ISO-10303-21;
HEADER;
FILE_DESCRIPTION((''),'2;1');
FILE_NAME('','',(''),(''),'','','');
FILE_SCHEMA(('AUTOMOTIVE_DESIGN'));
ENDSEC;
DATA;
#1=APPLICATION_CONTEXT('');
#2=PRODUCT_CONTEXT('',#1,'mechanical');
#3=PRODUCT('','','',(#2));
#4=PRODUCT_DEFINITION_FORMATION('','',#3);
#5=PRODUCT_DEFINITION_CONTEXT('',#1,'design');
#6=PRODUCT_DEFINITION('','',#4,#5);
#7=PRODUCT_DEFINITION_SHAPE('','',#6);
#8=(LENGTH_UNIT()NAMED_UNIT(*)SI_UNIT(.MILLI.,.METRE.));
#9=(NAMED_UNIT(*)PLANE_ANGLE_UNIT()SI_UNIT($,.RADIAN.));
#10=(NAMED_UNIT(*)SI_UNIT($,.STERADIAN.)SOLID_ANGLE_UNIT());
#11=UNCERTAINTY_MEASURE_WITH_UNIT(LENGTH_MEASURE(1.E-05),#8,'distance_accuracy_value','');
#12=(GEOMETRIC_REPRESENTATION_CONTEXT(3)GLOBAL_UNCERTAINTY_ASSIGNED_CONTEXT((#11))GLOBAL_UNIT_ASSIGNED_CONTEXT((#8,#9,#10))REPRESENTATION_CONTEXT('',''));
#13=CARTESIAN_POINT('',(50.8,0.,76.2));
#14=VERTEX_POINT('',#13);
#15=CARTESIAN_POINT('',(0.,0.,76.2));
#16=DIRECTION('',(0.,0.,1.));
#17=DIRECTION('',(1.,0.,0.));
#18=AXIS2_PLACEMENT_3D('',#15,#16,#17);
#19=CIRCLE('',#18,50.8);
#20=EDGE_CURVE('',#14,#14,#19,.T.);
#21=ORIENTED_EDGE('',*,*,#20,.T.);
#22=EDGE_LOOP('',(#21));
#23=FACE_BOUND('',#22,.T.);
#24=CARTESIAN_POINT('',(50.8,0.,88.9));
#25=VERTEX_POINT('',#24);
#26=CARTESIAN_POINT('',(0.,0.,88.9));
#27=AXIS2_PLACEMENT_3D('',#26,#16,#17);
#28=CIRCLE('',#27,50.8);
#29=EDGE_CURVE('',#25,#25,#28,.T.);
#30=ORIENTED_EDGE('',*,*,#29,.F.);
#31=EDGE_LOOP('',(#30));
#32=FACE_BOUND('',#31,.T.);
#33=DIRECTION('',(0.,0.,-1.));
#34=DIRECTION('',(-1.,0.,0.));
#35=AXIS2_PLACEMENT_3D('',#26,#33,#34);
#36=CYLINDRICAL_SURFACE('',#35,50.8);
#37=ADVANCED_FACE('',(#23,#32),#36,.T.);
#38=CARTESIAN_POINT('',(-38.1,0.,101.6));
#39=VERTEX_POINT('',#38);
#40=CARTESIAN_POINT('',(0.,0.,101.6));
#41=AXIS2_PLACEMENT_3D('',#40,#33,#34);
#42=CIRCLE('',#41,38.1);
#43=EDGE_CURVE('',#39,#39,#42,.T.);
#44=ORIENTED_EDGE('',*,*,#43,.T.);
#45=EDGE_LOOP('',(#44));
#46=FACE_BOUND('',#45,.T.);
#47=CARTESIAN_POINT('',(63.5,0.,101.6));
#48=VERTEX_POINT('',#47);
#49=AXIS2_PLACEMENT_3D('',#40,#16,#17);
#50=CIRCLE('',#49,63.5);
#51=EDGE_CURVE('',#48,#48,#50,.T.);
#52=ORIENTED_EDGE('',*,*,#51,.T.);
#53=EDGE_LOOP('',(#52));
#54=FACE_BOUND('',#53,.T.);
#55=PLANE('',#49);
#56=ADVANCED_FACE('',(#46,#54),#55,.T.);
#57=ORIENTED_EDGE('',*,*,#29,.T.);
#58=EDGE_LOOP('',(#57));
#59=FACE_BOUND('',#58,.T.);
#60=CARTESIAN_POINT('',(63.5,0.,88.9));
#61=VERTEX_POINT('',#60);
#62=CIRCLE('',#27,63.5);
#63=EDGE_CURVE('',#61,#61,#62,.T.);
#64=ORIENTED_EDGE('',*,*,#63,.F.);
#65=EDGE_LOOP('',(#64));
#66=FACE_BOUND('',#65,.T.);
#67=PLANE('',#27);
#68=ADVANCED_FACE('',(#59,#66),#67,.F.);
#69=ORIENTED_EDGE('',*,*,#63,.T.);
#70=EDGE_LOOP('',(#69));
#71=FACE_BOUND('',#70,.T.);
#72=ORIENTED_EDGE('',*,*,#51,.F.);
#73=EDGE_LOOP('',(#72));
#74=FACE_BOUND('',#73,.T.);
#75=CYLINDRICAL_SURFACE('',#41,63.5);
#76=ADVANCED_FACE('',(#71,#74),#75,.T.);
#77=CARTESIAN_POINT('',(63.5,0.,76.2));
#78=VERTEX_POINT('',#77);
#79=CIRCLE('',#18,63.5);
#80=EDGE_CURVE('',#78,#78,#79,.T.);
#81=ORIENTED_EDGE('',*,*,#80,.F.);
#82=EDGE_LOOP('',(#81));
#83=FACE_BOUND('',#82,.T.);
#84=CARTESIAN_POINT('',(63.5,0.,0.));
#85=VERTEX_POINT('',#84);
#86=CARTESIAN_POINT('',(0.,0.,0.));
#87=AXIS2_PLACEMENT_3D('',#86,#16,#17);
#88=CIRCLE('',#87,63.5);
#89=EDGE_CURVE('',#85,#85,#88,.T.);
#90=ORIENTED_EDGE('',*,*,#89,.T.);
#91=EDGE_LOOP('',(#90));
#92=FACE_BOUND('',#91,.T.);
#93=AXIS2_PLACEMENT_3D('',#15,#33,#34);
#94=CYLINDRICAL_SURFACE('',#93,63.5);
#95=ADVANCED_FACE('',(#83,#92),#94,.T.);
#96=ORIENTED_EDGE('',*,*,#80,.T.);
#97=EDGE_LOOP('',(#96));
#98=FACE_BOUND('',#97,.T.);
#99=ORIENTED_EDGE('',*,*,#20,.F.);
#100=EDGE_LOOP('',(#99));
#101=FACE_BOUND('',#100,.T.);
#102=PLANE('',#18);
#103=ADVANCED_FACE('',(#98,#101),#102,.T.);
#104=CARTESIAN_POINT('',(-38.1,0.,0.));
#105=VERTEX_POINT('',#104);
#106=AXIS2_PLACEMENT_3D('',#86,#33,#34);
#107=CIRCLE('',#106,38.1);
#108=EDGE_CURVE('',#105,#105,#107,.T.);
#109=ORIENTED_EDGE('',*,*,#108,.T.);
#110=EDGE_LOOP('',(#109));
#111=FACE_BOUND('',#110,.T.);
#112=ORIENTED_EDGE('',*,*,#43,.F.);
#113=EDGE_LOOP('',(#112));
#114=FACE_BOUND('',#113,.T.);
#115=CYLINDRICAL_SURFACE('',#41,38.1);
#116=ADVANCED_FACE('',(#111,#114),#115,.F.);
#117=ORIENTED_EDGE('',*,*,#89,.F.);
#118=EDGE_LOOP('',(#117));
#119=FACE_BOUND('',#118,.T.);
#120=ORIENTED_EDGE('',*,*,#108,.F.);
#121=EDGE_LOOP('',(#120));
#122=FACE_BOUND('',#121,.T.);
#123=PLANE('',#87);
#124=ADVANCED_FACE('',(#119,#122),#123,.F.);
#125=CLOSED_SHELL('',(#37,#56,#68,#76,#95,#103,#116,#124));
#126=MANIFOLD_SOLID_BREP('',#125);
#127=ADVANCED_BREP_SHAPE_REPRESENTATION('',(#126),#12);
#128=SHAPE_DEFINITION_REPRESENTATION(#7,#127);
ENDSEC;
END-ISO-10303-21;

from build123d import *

# Parameters (mm, degrees)
SKETCH3_R           = 63.5
BOSS_EXTRUDE1_DEPTH = 76.2
SKETCH4_R           = 50.8
BOSS_EXTRUDE2_DEPTH = 12.7
SKETCH5_R           = 63.5
BOSS_EXTRUDE3_DEPTH = 12.7
SKETCH6_R           = 38.1
CUT_EXTRUDE1_DEPTH  = 102.6


with BuildPart() as part:
    # Sketch3 → Boss-Extrude1 (new body)
    with BuildSketch(Plane.XY):
        Circle(SKETCH3_R)
    extrude(amount=BOSS_EXTRUDE1_DEPTH)

    # Sketch4 → Boss-Extrude2 (add)
    with BuildSketch(Plane.XY.offset(76.2)):
        Circle(SKETCH4_R)
    extrude(amount=BOSS_EXTRUDE2_DEPTH)

    # Sketch5 → Boss-Extrude3 (add)
    with BuildSketch(Plane.XY.offset(88.9)):
        Circle(SKETCH5_R)
    extrude(amount=BOSS_EXTRUDE3_DEPTH)

    # Sketch6 → Cut-Extrude1 (cut, through all)
    with BuildSketch(Plane(origin=(0, 0, 0), x_dir=(-1, 0, 0), z_dir=(0, 0, -1))):
        Circle(SKETCH6_R)
    extrude(amount=-CUT_EXTRUDE1_DEPTH, mode=Mode.SUBTRACT)


solid = part.part
